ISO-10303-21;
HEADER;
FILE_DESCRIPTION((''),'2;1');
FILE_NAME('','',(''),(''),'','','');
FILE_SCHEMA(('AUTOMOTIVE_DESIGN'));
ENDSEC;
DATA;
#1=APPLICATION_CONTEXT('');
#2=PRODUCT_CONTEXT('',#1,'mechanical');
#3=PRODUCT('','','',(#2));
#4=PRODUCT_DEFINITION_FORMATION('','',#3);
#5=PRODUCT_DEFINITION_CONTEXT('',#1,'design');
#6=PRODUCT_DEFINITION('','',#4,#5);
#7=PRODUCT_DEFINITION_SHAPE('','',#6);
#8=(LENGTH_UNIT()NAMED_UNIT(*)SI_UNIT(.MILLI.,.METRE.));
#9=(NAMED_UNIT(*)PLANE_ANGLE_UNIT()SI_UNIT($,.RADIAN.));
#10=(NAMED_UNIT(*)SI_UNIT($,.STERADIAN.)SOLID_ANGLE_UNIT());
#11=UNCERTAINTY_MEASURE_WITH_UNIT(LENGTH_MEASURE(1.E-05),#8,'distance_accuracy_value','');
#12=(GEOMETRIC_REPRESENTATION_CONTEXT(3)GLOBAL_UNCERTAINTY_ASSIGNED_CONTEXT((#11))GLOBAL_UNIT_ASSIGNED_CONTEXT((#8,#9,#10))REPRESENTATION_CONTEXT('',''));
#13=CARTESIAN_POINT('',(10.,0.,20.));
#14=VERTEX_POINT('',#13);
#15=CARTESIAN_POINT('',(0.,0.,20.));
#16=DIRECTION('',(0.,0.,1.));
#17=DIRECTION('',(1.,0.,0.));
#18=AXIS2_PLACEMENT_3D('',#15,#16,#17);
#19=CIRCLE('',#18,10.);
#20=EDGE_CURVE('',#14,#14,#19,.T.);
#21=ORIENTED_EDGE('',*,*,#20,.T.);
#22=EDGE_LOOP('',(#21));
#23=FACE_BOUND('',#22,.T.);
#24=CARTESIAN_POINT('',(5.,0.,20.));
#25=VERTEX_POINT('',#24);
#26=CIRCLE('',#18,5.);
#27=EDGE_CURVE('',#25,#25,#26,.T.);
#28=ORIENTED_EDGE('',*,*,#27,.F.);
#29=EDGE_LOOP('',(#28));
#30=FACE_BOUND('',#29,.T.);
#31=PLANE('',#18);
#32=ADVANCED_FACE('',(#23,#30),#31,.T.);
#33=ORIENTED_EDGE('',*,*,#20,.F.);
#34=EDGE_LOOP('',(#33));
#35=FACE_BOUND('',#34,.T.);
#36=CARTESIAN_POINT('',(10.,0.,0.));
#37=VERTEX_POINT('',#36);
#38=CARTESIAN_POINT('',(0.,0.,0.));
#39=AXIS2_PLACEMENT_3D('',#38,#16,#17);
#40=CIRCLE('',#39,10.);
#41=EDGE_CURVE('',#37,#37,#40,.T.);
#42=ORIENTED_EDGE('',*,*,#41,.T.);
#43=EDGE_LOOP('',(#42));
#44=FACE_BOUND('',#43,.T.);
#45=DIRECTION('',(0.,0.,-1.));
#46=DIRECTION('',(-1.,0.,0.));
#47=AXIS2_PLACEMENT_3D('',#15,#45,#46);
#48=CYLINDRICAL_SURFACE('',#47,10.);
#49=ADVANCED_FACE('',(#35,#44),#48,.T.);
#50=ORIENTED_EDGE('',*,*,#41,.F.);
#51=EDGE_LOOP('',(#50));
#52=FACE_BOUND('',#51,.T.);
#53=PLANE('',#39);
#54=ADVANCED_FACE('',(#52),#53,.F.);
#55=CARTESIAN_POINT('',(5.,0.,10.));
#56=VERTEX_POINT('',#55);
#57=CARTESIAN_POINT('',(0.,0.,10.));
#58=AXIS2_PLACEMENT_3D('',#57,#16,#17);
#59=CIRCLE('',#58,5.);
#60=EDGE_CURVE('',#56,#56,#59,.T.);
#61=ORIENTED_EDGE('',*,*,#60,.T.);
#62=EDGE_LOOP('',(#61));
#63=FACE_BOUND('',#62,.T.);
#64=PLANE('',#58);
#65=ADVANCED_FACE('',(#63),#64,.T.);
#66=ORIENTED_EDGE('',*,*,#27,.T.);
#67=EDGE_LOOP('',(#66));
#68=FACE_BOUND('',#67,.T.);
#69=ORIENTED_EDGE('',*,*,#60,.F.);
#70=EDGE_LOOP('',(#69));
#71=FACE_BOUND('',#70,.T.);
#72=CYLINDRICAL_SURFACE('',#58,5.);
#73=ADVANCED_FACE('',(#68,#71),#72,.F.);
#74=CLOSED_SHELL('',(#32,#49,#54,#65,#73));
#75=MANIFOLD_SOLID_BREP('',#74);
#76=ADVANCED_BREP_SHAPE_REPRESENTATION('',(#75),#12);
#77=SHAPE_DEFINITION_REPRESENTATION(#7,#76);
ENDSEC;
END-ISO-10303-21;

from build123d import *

# Parameters (mm, degrees)
SKETCH_BASE_PROFILE_R    = 10
FEATURE_BASE_DEPTH       = 20
SKETCH_HOLE_PROFILE_R    = 5
FEATURE_BLIND_HOLE_DEPTH = 10


with BuildPart() as part:
    # sketch:base-profile → feature:base (new body)
    with BuildSketch(Plane.XY):
        Circle(SKETCH_BASE_PROFILE_R)
    extrude(amount=FEATURE_BASE_DEPTH)

    # sketch:hole-profile → feature:blind-hole (cut)
    with BuildSketch(Plane.XY.offset(20)):
        Circle(SKETCH_HOLE_PROFILE_R)
    extrude(amount=-FEATURE_BLIND_HOLE_DEPTH, mode=Mode.SUBTRACT)


solid = part.part
